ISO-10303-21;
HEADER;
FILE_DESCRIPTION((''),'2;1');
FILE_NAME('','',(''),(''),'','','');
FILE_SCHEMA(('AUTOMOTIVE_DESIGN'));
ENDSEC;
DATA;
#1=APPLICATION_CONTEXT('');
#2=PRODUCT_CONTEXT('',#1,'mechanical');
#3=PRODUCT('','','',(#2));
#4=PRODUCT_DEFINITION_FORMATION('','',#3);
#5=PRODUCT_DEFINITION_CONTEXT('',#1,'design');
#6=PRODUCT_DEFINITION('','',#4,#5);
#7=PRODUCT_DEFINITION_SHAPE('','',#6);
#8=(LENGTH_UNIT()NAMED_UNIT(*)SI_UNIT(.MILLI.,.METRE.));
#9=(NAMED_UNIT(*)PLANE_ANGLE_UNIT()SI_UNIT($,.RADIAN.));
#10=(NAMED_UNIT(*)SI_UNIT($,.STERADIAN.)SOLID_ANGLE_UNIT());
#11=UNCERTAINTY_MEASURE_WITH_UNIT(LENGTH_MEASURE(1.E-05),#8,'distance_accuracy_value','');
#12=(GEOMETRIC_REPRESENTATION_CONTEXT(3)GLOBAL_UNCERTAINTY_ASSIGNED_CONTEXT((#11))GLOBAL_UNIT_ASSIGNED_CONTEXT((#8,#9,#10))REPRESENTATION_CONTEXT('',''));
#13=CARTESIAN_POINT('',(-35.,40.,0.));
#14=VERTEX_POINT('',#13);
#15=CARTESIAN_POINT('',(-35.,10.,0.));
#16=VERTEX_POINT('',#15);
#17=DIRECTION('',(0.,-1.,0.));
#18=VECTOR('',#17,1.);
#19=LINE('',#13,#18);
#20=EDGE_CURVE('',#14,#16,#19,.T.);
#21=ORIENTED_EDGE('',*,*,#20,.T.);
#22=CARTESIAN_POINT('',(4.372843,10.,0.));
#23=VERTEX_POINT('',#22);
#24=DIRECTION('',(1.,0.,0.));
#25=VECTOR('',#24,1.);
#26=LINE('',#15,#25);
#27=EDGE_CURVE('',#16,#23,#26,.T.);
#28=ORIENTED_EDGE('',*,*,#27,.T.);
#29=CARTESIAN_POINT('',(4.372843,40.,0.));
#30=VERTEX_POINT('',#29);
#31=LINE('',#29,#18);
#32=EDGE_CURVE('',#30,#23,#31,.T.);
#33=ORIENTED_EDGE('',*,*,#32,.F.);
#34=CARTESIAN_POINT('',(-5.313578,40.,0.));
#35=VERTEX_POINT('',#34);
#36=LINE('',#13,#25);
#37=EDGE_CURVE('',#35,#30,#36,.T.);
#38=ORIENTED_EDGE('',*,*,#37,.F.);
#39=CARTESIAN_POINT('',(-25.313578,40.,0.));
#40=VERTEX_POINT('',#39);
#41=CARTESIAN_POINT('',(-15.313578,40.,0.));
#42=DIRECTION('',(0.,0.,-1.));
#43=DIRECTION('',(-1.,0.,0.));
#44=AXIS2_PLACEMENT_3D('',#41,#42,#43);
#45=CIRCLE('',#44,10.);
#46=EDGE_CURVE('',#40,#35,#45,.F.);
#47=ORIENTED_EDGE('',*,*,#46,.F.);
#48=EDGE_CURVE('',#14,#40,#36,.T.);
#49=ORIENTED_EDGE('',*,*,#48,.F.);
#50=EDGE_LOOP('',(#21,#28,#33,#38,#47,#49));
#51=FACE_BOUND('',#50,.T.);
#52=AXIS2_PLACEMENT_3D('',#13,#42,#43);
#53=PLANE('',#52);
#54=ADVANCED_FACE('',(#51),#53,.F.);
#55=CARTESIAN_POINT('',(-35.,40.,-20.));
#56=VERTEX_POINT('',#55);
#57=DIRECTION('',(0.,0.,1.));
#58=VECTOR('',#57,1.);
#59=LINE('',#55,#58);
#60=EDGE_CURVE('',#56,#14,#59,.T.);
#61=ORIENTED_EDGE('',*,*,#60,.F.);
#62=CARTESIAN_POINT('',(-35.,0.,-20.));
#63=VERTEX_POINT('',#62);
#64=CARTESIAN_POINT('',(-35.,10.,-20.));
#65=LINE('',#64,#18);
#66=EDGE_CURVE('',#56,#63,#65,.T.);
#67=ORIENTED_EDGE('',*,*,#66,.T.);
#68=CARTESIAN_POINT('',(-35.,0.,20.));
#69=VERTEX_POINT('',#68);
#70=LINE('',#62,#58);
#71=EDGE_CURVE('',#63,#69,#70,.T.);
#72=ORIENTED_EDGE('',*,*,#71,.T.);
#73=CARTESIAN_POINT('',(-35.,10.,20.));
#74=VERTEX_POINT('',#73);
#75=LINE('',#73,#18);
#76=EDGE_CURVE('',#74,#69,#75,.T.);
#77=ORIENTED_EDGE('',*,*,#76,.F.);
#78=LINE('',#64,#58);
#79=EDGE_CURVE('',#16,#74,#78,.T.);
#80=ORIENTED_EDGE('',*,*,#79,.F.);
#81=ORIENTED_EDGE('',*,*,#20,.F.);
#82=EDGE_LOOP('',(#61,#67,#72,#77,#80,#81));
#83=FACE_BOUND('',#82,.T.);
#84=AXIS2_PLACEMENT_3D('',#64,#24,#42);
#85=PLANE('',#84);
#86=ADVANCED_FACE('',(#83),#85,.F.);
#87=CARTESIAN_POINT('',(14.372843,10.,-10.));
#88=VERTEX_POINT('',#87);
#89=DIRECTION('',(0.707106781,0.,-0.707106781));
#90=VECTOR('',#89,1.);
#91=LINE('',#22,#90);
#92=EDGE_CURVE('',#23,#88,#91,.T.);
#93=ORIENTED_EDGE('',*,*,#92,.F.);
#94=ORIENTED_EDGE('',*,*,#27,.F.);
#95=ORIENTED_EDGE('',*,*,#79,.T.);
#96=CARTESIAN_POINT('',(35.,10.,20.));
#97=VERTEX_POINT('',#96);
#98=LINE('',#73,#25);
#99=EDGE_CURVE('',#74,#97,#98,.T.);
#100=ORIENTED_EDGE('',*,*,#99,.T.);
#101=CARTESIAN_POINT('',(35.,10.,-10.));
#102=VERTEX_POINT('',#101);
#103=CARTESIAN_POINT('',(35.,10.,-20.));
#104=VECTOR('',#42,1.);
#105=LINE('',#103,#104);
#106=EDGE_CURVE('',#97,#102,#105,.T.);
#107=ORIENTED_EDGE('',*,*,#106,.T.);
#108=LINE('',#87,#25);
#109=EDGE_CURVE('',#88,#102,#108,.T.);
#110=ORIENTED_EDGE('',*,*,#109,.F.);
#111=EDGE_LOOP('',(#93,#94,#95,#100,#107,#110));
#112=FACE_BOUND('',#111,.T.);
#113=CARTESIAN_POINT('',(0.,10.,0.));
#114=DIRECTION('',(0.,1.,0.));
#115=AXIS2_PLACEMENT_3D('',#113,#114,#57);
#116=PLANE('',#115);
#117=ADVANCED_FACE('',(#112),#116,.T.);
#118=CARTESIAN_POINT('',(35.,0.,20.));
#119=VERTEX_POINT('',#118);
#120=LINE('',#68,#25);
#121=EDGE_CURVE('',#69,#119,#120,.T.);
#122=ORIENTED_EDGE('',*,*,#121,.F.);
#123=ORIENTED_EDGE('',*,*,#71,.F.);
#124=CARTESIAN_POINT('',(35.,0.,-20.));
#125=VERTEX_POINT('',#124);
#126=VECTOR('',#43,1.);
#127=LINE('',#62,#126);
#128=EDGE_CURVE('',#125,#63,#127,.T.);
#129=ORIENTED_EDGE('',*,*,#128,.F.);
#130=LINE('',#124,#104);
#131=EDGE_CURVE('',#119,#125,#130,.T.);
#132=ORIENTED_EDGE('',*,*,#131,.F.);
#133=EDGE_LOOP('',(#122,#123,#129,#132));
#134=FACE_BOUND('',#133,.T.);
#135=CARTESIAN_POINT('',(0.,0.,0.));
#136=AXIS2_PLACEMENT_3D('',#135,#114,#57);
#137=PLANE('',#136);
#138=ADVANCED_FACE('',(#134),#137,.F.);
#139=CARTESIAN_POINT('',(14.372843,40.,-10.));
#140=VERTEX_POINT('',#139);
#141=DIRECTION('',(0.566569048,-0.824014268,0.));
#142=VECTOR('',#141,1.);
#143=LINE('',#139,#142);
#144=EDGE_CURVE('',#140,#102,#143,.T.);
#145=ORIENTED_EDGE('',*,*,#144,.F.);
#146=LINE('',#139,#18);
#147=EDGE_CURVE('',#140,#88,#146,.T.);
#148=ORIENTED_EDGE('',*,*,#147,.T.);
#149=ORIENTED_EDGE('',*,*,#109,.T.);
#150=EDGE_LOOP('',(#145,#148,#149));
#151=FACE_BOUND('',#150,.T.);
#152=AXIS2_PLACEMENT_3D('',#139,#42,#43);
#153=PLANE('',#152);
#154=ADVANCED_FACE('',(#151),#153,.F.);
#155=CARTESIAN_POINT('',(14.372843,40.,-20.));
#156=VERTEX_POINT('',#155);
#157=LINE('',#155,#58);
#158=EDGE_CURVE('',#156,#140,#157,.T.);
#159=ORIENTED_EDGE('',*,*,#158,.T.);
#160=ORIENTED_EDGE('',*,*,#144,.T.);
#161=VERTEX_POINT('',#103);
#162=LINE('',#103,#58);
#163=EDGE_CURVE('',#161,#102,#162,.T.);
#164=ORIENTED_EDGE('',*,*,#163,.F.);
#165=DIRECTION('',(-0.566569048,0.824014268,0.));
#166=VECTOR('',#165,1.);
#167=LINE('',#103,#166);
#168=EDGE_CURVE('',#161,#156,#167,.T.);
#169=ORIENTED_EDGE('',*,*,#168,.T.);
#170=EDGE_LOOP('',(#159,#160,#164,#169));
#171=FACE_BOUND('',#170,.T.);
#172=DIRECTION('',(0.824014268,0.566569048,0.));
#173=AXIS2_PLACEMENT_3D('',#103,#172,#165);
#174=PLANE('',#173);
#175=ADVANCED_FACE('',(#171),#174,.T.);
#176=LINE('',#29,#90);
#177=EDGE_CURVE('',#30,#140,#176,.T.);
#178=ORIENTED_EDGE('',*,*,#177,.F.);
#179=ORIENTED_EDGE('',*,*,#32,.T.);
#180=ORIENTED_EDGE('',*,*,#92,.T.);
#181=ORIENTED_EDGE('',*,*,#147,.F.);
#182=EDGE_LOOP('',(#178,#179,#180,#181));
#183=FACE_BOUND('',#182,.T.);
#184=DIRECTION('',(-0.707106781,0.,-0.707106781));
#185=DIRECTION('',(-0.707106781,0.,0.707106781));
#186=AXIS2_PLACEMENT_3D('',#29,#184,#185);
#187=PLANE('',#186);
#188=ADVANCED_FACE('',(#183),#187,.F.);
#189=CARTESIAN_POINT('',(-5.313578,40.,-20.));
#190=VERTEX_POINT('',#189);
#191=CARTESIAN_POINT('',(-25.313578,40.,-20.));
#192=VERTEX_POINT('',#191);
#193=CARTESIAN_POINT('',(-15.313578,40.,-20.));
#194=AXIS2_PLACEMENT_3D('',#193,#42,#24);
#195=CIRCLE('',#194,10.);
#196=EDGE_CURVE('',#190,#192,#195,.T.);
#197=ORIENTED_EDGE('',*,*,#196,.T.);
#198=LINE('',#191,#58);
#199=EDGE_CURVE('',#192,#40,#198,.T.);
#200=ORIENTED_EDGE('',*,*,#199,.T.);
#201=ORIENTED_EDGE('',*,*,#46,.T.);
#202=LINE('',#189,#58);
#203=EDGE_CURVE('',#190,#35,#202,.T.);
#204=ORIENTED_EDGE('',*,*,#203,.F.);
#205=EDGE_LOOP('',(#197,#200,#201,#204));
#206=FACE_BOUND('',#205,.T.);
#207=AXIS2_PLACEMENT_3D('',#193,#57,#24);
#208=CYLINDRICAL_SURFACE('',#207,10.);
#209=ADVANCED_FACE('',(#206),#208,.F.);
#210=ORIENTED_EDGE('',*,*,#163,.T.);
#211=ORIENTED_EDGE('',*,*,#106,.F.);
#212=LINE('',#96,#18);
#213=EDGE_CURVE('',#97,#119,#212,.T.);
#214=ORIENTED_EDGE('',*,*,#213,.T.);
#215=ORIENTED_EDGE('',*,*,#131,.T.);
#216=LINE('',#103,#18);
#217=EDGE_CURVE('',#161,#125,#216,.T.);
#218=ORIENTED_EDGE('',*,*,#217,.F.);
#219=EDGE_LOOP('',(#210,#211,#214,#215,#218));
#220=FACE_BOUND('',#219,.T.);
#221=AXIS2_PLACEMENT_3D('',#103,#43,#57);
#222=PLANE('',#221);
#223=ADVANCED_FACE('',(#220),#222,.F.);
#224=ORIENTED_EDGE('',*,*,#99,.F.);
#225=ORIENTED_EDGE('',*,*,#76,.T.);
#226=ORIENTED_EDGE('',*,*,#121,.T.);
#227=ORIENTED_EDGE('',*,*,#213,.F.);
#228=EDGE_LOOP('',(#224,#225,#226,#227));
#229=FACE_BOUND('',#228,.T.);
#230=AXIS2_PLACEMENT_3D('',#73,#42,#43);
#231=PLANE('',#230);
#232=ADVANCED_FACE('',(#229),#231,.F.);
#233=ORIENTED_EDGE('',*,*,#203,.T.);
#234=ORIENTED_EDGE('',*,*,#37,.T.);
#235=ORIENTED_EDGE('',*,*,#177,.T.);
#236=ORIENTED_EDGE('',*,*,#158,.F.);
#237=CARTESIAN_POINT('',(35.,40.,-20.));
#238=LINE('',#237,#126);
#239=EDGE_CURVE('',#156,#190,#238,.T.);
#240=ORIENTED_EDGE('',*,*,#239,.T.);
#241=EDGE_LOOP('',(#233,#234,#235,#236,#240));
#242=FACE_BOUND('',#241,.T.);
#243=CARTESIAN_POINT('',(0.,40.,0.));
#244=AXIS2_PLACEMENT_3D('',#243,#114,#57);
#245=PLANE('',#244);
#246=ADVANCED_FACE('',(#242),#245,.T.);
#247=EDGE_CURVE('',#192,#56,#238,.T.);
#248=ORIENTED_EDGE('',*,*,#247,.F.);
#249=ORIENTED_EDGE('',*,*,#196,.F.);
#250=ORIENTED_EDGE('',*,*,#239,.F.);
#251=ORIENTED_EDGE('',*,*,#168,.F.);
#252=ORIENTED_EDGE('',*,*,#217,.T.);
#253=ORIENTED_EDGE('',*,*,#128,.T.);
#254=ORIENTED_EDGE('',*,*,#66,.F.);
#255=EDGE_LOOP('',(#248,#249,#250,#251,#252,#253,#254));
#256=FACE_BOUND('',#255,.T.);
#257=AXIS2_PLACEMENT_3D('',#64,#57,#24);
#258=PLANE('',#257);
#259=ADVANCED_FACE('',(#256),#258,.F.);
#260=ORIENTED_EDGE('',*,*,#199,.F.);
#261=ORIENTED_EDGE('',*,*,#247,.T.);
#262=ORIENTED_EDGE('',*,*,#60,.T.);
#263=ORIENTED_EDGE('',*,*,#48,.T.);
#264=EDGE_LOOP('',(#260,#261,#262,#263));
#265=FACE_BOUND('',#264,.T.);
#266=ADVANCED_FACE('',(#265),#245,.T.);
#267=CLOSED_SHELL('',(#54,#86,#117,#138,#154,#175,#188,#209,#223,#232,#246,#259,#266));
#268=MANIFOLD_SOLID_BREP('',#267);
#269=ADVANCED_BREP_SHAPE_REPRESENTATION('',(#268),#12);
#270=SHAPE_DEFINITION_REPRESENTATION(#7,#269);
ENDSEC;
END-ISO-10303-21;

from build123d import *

# Parameters (mm, degrees)
SKETCH1_W               = 70
SKETCH1_H               = 40
BOSS_EXTRUDE1_DEPTH     = 10
BOSS_EXTRUDE2_DEPTH     = 30
CUT_EXTRUDE1_DEPTH      = 57.789083458
CUT_EXTRUDE1_DEPTH_BACK = 57.789083458
SKETCH3_OUTSIDE_W       = 90
SKETCH3_OUTSIDE_H       = 60


with BuildPart() as part:
    # Sketch1 → Boss-Extrude1 (new body)
    with BuildSketch(Plane(origin=(0, 0, 0), x_dir=(1, 0, 0), z_dir=(0, 1, 0))):
        Rectangle(SKETCH1_W, SKETCH1_H)
    extrude(amount=BOSS_EXTRUDE1_DEPTH)

    # Sketch2 → Boss-Extrude2 (add)
    with BuildSketch(Plane(origin=(0, 10, 0), x_dir=(1, 0, 0), z_dir=(0, 1, 0))):
        Polygon((-35, 20), (-35, 0), (4.372843299, 0), (14.372843299, 10), (35, 10), (35, 20), align=None)
    extrude(amount=BOSS_EXTRUDE2_DEPTH)

    # Sketch3 outside → Cut-Extrude1 (cut, two sides: drawn at the far end of the back side and taken through both)
    with BuildSketch(Plane.XY.offset(-CUT_EXTRUDE1_DEPTH_BACK)):
        with Locations((0, 20)):
            Rectangle(SKETCH3_OUTSIDE_W, SKETCH3_OUTSIDE_H)
        with BuildLine():
            Line((-25.31357835, 40), (-35, 40))
            Line((-35, 40), (-35, 0))
            Line((-35, 0), (35, 0))
            Line((35, 0), (35, 10))
            Line((35, 10), (14.372843299, 40))
            Line((14.372843299, 40), (-5.31357835, 40))
            ThreePointArc((-5.31357835, 40), (-15.31357835, 30), (-25.31357835, 40))
        make_face(mode=Mode.SUBTRACT)
    extrude(amount=CUT_EXTRUDE1_DEPTH + CUT_EXTRUDE1_DEPTH_BACK, mode=Mode.SUBTRACT)


solid = part.part
